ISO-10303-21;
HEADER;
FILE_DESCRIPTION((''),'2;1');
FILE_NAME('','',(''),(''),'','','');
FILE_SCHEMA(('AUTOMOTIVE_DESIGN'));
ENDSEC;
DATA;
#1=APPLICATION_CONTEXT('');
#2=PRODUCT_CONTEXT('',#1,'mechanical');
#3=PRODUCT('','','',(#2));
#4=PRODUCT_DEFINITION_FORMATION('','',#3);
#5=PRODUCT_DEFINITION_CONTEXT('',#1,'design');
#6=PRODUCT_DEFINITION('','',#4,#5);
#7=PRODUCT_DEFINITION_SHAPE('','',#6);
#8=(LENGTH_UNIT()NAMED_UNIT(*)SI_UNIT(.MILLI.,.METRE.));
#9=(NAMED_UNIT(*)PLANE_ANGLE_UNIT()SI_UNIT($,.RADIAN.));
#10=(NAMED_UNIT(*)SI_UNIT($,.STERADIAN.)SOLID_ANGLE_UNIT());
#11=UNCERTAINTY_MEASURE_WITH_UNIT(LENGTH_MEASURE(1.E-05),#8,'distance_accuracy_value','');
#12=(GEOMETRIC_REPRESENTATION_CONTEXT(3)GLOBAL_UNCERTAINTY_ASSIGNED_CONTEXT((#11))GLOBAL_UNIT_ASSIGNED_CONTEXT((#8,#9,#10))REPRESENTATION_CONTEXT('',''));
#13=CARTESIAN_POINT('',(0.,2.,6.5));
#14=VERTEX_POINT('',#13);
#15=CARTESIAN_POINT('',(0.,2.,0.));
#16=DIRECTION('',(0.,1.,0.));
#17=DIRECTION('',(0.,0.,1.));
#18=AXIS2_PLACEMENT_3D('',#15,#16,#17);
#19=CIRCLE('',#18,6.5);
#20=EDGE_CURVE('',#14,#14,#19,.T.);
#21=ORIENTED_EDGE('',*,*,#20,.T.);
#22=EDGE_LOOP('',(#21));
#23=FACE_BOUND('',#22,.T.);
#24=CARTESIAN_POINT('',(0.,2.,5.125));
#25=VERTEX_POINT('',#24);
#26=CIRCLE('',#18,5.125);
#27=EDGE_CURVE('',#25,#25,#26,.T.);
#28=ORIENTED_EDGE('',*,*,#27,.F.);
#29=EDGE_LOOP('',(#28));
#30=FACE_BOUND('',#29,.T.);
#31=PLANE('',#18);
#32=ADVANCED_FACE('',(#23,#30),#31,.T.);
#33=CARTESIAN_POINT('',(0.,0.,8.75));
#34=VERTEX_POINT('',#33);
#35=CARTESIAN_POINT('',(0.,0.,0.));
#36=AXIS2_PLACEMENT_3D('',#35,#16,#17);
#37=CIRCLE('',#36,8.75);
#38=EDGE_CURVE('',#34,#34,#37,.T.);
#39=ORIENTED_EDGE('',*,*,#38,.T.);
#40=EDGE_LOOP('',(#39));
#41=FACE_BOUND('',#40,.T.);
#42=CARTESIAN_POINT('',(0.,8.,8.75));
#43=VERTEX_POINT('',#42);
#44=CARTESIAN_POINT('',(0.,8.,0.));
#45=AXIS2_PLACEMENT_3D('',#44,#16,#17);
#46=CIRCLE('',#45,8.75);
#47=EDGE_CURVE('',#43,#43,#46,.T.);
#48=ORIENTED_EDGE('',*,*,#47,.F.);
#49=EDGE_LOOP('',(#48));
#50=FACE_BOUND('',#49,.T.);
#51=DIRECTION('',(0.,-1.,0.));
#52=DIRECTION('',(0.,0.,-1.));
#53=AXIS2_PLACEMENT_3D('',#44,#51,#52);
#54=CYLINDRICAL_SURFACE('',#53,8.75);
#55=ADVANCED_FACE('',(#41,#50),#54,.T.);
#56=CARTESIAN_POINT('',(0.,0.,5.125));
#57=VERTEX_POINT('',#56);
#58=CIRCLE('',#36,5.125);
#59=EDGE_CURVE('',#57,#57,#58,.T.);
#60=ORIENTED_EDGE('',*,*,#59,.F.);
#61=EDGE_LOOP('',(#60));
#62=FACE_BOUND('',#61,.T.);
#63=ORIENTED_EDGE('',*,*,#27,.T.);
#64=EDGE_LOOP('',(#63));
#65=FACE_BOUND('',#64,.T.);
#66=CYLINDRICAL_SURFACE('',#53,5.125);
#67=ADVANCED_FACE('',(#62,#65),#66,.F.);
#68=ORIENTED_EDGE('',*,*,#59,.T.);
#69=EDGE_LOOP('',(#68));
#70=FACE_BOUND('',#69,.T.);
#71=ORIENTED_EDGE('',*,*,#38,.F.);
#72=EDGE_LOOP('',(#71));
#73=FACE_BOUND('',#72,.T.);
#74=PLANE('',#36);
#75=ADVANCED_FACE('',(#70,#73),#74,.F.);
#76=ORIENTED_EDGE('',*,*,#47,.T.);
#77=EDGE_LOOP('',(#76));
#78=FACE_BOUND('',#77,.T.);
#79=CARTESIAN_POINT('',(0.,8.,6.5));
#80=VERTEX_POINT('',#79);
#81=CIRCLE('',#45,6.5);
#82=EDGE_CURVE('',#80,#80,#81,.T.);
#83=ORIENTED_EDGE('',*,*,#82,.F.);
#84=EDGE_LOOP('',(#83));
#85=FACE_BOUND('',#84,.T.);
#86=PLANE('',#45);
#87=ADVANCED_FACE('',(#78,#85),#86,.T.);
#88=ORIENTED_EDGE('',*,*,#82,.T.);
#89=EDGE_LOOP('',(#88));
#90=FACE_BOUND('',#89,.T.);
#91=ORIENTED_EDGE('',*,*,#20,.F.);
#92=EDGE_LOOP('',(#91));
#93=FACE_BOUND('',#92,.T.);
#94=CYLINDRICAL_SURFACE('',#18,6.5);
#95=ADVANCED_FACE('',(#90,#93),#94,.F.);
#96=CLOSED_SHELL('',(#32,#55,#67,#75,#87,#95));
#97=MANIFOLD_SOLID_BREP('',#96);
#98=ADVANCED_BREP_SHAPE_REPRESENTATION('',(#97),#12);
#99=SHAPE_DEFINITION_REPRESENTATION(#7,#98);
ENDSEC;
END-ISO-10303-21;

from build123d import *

# Parameters (mm, degrees)
SKETCH1_R           = 8.75
SKETCH1_R_2         = 5.125
BOSS_EXTRUDE1_DEPTH = 8
SKETCH2_R           = 6.5
CUT_EXTRUDE1_DEPTH  = 6


with BuildPart() as part:
    # Sketch1 → Boss-Extrude1 (new body)
    with BuildSketch(Plane(origin=(0, 0, 0), x_dir=(1, 0, 0), z_dir=(0, 1, 0))):
        Circle(SKETCH1_R)
        Circle(SKETCH1_R_2, mode=Mode.SUBTRACT)
    extrude(amount=BOSS_EXTRUDE1_DEPTH)

    # Sketch2 → Cut-Extrude1 (cut)
    with BuildSketch(Plane(origin=(0, 8, 0), x_dir=(1, 0, 0), z_dir=(0, 1, 0))):
        Circle(SKETCH2_R)
    extrude(amount=-CUT_EXTRUDE1_DEPTH, mode=Mode.SUBTRACT)


solid = part.part
